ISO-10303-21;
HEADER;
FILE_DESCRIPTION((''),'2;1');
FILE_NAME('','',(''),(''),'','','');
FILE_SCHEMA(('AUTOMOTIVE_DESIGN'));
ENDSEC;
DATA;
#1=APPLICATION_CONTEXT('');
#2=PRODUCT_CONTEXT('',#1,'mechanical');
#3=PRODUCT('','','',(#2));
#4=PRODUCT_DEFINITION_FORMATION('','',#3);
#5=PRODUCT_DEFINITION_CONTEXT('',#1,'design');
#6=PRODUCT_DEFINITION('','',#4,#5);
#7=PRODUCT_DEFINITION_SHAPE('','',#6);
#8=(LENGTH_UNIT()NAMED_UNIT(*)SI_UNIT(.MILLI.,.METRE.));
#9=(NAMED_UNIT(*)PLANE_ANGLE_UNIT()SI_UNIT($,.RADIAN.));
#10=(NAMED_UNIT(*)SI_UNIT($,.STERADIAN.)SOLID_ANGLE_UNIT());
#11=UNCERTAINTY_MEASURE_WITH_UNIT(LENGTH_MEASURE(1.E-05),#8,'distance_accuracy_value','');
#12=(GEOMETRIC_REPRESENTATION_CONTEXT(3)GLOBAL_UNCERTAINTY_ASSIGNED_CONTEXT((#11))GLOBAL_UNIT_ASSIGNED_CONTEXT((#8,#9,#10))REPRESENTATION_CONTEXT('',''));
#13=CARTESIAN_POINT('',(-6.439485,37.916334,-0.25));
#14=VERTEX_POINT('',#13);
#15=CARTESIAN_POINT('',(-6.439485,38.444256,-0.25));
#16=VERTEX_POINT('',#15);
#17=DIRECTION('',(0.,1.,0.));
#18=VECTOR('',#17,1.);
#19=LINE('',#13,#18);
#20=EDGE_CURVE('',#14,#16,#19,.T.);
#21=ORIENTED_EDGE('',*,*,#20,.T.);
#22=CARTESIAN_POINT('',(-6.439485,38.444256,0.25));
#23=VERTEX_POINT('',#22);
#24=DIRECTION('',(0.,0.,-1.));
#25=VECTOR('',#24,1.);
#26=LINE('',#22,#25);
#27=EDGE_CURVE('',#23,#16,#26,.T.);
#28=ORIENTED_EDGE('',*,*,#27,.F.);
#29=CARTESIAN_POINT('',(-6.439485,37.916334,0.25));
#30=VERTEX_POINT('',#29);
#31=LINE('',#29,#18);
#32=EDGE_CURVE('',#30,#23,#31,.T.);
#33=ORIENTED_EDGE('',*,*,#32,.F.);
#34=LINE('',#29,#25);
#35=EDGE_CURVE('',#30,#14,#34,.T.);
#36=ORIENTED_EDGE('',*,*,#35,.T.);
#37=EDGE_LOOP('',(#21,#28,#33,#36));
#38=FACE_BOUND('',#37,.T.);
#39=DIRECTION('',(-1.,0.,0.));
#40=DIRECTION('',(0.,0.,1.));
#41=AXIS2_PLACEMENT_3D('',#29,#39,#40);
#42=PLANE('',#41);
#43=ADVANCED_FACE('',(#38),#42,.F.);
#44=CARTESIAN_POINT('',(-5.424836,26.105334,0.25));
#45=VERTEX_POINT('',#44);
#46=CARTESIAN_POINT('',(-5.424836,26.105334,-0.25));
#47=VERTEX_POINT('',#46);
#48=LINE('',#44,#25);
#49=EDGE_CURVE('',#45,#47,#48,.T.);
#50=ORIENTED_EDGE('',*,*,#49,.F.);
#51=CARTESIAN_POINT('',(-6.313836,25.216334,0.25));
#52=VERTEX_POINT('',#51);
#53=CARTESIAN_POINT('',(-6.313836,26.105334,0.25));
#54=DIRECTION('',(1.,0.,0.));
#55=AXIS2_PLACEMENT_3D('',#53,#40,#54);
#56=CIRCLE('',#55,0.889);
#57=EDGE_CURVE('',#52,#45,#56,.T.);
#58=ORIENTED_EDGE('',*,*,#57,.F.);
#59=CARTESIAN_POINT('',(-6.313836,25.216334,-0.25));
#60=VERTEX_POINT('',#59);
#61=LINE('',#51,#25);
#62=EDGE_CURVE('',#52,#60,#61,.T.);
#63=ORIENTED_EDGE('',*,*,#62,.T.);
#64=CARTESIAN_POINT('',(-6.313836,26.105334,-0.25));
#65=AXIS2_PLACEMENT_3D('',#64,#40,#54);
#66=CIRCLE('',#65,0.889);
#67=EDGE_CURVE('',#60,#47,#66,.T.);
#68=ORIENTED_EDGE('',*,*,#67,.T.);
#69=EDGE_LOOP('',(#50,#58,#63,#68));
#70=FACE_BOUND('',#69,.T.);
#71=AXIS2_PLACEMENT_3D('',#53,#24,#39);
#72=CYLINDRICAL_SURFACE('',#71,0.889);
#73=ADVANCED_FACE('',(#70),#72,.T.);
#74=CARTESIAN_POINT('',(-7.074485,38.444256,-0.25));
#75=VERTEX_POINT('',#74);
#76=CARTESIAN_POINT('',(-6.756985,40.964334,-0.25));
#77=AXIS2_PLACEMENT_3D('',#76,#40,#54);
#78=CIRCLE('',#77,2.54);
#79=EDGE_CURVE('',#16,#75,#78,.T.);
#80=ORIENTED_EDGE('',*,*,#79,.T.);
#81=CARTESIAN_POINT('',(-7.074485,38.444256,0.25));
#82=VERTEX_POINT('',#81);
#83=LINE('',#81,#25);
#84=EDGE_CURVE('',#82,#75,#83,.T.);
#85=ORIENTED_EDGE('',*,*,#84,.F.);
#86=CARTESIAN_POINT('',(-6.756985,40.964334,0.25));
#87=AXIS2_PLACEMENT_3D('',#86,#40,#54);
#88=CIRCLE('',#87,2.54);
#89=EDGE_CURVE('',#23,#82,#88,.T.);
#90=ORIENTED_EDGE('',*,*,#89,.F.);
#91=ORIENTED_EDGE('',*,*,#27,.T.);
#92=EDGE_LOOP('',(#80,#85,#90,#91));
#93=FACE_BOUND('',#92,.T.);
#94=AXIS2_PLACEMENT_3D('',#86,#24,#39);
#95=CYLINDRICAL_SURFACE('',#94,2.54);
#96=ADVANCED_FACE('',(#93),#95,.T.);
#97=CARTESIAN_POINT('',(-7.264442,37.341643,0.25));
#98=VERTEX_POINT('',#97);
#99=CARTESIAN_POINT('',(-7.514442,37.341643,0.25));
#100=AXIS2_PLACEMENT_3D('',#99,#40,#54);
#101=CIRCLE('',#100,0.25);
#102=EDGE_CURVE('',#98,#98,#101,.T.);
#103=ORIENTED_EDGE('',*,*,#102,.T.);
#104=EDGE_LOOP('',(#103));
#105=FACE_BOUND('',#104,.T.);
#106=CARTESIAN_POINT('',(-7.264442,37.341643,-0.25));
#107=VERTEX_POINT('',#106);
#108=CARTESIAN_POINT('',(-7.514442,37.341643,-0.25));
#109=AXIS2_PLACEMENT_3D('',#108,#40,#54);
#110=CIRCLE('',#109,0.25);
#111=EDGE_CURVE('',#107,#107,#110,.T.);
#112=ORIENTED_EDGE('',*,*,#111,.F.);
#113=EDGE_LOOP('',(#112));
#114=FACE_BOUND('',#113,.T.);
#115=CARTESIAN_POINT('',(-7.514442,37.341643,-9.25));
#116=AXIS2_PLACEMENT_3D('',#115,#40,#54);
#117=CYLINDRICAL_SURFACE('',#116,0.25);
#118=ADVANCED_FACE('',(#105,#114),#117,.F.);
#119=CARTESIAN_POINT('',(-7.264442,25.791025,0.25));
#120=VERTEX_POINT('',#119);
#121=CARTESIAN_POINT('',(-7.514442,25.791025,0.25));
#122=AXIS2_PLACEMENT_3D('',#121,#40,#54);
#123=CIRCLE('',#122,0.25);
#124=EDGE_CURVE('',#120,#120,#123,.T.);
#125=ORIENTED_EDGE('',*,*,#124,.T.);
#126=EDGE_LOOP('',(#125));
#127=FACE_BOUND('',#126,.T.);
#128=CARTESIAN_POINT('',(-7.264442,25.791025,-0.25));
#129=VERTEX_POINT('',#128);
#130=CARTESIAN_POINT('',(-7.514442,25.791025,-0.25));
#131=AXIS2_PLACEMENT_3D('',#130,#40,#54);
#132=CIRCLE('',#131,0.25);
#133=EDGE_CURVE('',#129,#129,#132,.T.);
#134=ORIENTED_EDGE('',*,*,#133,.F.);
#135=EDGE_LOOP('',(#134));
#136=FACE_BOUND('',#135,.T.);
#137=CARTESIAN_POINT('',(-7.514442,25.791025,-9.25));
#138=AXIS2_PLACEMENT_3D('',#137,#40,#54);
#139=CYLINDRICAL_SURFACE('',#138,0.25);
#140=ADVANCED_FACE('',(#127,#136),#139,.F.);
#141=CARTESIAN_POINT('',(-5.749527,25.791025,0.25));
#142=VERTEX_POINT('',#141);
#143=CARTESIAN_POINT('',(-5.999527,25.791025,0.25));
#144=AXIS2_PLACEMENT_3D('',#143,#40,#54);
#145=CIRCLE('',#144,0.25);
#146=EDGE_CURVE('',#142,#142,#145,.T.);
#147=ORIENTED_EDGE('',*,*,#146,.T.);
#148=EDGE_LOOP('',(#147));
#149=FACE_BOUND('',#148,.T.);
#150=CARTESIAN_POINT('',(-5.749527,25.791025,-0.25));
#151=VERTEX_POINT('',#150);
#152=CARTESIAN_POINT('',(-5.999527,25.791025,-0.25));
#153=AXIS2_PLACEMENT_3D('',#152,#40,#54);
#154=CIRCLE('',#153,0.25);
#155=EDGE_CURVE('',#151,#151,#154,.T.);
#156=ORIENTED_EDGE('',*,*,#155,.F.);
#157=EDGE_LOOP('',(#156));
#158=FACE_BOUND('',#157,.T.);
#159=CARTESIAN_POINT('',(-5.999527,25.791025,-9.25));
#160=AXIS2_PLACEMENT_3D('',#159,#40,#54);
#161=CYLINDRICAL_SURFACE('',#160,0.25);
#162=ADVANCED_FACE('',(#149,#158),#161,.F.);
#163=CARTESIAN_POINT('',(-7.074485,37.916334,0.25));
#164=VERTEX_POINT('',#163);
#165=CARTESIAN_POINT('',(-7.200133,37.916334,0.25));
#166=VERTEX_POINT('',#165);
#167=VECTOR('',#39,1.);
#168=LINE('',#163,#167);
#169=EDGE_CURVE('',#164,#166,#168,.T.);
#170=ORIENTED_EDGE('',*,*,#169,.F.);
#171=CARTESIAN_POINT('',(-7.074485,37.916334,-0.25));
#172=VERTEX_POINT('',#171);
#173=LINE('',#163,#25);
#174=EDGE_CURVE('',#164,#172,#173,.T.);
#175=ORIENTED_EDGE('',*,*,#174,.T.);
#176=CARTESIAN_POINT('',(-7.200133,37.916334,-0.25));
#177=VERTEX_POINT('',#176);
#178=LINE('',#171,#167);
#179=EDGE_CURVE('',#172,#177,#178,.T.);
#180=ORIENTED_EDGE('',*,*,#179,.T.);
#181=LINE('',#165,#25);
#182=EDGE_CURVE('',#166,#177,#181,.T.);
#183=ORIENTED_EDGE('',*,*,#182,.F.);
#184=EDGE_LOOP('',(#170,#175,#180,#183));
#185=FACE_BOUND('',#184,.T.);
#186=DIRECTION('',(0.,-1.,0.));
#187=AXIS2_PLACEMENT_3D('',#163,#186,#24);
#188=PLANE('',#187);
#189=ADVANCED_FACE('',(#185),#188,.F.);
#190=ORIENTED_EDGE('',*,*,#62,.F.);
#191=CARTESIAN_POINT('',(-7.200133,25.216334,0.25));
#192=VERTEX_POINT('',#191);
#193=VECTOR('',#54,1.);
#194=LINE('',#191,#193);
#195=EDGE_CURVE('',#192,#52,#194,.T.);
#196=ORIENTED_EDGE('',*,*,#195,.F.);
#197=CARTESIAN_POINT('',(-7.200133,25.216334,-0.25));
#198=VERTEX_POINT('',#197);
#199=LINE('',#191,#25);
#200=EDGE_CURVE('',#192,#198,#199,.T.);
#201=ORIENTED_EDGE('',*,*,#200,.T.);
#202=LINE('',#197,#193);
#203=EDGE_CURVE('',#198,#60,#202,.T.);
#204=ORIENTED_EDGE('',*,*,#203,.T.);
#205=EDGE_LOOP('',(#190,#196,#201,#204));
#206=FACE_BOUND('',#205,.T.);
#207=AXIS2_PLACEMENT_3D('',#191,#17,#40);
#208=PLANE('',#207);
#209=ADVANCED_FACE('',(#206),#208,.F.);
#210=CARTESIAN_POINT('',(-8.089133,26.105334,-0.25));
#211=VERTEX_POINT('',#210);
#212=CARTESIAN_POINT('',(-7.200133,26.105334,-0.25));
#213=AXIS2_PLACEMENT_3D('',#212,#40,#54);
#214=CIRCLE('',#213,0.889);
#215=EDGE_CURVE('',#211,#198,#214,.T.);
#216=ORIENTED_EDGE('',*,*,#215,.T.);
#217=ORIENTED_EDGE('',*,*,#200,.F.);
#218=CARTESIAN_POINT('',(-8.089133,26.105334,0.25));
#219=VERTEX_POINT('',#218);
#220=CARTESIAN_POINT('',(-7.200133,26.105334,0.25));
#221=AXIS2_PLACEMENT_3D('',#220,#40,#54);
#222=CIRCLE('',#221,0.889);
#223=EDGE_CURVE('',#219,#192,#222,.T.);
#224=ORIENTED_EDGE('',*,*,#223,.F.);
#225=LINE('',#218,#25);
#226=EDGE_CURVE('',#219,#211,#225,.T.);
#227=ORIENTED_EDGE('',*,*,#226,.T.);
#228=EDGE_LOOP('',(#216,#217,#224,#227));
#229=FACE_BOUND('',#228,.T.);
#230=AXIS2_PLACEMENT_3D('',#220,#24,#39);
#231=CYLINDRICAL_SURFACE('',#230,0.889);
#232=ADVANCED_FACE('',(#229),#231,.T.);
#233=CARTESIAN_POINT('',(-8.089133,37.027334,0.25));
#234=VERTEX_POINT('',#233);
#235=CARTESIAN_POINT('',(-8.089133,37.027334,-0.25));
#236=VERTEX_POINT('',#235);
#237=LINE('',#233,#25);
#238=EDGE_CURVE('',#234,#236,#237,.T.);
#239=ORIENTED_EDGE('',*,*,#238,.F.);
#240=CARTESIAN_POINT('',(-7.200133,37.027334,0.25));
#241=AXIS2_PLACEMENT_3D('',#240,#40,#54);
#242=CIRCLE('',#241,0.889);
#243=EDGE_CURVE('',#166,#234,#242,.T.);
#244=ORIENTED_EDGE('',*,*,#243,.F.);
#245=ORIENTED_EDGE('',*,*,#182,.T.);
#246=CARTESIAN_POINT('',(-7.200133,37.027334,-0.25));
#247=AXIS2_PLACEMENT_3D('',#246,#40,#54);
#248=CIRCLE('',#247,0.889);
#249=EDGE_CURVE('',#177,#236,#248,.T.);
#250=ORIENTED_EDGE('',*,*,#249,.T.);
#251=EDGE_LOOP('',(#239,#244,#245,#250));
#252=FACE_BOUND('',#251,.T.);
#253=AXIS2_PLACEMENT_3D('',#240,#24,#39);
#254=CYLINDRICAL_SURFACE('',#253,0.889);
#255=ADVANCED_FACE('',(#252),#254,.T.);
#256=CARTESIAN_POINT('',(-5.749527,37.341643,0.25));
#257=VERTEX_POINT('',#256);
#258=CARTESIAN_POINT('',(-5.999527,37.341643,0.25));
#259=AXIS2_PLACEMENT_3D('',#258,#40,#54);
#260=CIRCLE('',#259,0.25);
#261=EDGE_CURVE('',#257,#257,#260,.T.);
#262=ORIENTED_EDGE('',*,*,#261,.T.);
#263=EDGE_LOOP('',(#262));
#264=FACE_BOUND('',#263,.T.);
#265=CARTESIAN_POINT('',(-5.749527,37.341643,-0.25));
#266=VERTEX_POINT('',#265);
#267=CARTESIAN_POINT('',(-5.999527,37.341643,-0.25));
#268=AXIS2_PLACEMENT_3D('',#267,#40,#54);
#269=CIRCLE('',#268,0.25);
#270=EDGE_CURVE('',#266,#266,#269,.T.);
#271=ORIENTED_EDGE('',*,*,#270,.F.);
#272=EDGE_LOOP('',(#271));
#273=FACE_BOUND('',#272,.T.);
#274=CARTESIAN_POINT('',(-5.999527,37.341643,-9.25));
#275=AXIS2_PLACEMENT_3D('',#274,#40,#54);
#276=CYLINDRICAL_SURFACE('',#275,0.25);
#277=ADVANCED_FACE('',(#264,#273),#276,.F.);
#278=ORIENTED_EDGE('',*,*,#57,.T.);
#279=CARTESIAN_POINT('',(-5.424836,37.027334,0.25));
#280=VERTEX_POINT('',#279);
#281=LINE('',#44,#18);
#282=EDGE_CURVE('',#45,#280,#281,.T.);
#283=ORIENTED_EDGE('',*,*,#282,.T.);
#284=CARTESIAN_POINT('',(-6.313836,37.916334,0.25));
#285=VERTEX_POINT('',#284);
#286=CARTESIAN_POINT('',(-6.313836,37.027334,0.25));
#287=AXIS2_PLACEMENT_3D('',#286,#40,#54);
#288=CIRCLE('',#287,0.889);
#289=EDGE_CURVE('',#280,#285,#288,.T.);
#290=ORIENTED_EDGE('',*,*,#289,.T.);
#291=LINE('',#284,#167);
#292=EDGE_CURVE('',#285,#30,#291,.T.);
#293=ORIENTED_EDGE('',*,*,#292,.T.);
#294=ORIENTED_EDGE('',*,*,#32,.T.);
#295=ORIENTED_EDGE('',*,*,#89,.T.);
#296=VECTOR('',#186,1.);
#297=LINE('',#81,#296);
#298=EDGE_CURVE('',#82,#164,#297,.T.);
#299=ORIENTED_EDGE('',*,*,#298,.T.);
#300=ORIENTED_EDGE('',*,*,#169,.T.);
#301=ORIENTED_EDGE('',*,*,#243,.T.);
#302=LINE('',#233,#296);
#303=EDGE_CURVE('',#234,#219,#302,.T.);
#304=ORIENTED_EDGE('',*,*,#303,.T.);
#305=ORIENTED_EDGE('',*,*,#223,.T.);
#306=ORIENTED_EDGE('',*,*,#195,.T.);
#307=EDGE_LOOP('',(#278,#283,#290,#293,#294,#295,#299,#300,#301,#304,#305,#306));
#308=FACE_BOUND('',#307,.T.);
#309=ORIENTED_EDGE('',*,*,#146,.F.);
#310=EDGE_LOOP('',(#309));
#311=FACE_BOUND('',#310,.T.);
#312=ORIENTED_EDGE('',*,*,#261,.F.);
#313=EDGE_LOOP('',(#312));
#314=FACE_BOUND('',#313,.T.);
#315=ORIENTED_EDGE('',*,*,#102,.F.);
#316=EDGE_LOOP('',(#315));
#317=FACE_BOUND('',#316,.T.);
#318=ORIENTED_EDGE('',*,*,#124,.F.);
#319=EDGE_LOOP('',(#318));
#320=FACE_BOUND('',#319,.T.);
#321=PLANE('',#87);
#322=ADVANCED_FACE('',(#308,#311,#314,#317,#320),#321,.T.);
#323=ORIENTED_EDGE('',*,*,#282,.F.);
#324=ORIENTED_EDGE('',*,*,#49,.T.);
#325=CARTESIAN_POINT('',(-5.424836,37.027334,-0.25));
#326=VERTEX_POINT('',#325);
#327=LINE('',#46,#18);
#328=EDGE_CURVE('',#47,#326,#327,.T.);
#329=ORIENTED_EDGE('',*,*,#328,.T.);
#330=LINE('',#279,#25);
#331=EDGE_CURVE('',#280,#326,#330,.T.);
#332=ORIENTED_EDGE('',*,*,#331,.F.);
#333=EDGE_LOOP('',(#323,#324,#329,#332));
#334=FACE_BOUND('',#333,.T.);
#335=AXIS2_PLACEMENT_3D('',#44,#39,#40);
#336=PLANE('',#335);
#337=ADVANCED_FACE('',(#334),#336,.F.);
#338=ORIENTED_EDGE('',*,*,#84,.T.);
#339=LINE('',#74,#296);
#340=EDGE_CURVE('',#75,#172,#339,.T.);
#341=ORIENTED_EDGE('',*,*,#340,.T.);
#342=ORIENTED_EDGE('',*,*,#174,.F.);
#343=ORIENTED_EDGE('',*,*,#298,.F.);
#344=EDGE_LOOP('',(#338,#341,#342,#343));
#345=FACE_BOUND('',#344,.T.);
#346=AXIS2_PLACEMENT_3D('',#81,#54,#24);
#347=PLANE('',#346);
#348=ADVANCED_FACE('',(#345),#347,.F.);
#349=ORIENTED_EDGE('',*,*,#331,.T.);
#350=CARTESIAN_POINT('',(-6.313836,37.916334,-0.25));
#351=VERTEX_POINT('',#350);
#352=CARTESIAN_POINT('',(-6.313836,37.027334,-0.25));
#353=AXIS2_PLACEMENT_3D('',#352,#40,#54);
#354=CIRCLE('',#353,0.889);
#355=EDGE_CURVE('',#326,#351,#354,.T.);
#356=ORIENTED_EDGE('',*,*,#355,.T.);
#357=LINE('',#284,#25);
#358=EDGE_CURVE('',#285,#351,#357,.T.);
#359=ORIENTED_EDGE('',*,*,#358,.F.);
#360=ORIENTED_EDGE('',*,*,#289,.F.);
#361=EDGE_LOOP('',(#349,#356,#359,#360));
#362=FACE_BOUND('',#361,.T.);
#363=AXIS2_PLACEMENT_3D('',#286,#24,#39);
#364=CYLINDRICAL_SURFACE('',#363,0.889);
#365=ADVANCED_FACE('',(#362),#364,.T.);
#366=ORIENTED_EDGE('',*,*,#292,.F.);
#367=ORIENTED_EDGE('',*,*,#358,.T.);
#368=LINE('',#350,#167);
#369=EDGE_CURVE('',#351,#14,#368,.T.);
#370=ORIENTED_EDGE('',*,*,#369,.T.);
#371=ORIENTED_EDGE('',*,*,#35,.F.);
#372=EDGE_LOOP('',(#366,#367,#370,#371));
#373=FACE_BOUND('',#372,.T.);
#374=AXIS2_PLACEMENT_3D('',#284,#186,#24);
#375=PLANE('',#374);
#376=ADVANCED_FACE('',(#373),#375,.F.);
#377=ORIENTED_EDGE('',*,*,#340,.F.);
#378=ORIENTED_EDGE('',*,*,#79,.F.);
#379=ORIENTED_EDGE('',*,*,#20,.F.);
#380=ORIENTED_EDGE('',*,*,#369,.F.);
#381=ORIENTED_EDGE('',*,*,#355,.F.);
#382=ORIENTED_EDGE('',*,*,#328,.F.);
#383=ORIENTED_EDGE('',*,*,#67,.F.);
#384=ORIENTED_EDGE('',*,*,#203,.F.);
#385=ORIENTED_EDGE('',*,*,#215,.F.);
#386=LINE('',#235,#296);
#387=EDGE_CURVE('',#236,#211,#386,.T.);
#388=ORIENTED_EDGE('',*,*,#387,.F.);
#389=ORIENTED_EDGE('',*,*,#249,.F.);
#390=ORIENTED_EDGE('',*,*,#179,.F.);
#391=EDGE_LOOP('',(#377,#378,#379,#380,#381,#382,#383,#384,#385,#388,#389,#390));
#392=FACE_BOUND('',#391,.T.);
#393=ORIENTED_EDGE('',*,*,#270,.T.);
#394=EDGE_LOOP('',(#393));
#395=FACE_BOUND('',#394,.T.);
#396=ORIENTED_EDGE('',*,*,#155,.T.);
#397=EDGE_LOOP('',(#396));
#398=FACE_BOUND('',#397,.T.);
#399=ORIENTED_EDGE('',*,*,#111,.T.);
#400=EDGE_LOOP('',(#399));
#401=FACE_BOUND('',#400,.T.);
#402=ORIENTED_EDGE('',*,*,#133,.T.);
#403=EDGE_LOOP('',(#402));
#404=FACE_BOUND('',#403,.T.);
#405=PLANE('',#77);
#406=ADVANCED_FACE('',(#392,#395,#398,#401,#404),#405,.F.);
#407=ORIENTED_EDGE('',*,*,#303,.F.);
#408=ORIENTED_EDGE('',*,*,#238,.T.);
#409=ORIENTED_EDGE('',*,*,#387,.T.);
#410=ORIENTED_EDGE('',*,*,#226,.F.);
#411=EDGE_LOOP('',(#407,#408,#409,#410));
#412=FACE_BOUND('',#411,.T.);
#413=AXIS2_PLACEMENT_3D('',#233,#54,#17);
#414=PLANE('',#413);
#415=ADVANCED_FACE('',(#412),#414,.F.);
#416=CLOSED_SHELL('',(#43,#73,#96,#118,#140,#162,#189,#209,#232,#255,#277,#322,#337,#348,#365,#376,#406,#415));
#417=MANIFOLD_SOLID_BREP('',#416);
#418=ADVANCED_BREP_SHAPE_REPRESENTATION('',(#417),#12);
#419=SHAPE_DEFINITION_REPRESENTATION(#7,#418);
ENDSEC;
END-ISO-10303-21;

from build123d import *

# Parameters (mm, degrees)
BOSS_EXTRUDE1_DEPTH = 0.25
SKETCH4_R           = 0.25
CUT_EXTRUDE1_DEPTH  = 9.5


with BuildPart() as part:
    # Sketch2 → Boss-Extrude1 (new, symmetric)
    with BuildSketch(Plane.XY):
        with BuildLine():
            Line((-7.074484682, 38.444256199), (-7.074484682, 37.916334323))
            Line((-7.074484682, 37.916334323), (-7.200133049, 37.916334323))
            ThreePointArc((-7.200133049, 37.916334323), (-7.828750978, 37.655952251), (-8.089133049, 37.027334323))
            Line((-8.089133049, 37.027334323), (-8.089133049, 26.105334323))
            ThreePointArc((-8.089133049, 26.105334323), (-7.828750978, 25.476716394), (-7.200133049, 25.216334323))
            Line((-7.200133049, 25.216334323), (-6.313836315, 25.216334323))
            ThreePointArc((-6.313836315, 25.216334323), (-5.685218387, 25.476716394), (-5.424836315, 26.105334323))
            Line((-5.424836315, 26.105334323), (-5.424836315, 37.027334323))
            ThreePointArc((-5.424836315, 37.027334323), (-5.685218387, 37.655952251), (-6.313836315, 37.916334323))
            Line((-6.313836315, 37.916334323), (-6.439484682, 37.916334323))
            Line((-6.439484682, 37.916334323), (-6.439484682, 38.444256199))
            ThreePointArc((-6.439484682, 38.444256199), (-6.756984682, 43.504334323), (-7.074484682, 38.444256199))
        make_face()
    extrude(amount=BOSS_EXTRUDE1_DEPTH, both=True)

    # Sketch4 → Cut-Extrude1 (cut)
    with BuildSketch(Plane.XY.offset(0.25)):
        with Locations((-7.514442014, 25.791025359)):
            Circle(SKETCH4_R)
        with Locations((-5.999527351, 25.791025359)):
            Circle(SKETCH4_R)
        with Locations((-7.514442014, 37.341643287)):
            Circle(SKETCH4_R)
        with Locations((-5.999527351, 37.341643287)):
            Circle(SKETCH4_R)
    extrude(amount=-CUT_EXTRUDE1_DEPTH, mode=Mode.SUBTRACT)


solid = part.part
